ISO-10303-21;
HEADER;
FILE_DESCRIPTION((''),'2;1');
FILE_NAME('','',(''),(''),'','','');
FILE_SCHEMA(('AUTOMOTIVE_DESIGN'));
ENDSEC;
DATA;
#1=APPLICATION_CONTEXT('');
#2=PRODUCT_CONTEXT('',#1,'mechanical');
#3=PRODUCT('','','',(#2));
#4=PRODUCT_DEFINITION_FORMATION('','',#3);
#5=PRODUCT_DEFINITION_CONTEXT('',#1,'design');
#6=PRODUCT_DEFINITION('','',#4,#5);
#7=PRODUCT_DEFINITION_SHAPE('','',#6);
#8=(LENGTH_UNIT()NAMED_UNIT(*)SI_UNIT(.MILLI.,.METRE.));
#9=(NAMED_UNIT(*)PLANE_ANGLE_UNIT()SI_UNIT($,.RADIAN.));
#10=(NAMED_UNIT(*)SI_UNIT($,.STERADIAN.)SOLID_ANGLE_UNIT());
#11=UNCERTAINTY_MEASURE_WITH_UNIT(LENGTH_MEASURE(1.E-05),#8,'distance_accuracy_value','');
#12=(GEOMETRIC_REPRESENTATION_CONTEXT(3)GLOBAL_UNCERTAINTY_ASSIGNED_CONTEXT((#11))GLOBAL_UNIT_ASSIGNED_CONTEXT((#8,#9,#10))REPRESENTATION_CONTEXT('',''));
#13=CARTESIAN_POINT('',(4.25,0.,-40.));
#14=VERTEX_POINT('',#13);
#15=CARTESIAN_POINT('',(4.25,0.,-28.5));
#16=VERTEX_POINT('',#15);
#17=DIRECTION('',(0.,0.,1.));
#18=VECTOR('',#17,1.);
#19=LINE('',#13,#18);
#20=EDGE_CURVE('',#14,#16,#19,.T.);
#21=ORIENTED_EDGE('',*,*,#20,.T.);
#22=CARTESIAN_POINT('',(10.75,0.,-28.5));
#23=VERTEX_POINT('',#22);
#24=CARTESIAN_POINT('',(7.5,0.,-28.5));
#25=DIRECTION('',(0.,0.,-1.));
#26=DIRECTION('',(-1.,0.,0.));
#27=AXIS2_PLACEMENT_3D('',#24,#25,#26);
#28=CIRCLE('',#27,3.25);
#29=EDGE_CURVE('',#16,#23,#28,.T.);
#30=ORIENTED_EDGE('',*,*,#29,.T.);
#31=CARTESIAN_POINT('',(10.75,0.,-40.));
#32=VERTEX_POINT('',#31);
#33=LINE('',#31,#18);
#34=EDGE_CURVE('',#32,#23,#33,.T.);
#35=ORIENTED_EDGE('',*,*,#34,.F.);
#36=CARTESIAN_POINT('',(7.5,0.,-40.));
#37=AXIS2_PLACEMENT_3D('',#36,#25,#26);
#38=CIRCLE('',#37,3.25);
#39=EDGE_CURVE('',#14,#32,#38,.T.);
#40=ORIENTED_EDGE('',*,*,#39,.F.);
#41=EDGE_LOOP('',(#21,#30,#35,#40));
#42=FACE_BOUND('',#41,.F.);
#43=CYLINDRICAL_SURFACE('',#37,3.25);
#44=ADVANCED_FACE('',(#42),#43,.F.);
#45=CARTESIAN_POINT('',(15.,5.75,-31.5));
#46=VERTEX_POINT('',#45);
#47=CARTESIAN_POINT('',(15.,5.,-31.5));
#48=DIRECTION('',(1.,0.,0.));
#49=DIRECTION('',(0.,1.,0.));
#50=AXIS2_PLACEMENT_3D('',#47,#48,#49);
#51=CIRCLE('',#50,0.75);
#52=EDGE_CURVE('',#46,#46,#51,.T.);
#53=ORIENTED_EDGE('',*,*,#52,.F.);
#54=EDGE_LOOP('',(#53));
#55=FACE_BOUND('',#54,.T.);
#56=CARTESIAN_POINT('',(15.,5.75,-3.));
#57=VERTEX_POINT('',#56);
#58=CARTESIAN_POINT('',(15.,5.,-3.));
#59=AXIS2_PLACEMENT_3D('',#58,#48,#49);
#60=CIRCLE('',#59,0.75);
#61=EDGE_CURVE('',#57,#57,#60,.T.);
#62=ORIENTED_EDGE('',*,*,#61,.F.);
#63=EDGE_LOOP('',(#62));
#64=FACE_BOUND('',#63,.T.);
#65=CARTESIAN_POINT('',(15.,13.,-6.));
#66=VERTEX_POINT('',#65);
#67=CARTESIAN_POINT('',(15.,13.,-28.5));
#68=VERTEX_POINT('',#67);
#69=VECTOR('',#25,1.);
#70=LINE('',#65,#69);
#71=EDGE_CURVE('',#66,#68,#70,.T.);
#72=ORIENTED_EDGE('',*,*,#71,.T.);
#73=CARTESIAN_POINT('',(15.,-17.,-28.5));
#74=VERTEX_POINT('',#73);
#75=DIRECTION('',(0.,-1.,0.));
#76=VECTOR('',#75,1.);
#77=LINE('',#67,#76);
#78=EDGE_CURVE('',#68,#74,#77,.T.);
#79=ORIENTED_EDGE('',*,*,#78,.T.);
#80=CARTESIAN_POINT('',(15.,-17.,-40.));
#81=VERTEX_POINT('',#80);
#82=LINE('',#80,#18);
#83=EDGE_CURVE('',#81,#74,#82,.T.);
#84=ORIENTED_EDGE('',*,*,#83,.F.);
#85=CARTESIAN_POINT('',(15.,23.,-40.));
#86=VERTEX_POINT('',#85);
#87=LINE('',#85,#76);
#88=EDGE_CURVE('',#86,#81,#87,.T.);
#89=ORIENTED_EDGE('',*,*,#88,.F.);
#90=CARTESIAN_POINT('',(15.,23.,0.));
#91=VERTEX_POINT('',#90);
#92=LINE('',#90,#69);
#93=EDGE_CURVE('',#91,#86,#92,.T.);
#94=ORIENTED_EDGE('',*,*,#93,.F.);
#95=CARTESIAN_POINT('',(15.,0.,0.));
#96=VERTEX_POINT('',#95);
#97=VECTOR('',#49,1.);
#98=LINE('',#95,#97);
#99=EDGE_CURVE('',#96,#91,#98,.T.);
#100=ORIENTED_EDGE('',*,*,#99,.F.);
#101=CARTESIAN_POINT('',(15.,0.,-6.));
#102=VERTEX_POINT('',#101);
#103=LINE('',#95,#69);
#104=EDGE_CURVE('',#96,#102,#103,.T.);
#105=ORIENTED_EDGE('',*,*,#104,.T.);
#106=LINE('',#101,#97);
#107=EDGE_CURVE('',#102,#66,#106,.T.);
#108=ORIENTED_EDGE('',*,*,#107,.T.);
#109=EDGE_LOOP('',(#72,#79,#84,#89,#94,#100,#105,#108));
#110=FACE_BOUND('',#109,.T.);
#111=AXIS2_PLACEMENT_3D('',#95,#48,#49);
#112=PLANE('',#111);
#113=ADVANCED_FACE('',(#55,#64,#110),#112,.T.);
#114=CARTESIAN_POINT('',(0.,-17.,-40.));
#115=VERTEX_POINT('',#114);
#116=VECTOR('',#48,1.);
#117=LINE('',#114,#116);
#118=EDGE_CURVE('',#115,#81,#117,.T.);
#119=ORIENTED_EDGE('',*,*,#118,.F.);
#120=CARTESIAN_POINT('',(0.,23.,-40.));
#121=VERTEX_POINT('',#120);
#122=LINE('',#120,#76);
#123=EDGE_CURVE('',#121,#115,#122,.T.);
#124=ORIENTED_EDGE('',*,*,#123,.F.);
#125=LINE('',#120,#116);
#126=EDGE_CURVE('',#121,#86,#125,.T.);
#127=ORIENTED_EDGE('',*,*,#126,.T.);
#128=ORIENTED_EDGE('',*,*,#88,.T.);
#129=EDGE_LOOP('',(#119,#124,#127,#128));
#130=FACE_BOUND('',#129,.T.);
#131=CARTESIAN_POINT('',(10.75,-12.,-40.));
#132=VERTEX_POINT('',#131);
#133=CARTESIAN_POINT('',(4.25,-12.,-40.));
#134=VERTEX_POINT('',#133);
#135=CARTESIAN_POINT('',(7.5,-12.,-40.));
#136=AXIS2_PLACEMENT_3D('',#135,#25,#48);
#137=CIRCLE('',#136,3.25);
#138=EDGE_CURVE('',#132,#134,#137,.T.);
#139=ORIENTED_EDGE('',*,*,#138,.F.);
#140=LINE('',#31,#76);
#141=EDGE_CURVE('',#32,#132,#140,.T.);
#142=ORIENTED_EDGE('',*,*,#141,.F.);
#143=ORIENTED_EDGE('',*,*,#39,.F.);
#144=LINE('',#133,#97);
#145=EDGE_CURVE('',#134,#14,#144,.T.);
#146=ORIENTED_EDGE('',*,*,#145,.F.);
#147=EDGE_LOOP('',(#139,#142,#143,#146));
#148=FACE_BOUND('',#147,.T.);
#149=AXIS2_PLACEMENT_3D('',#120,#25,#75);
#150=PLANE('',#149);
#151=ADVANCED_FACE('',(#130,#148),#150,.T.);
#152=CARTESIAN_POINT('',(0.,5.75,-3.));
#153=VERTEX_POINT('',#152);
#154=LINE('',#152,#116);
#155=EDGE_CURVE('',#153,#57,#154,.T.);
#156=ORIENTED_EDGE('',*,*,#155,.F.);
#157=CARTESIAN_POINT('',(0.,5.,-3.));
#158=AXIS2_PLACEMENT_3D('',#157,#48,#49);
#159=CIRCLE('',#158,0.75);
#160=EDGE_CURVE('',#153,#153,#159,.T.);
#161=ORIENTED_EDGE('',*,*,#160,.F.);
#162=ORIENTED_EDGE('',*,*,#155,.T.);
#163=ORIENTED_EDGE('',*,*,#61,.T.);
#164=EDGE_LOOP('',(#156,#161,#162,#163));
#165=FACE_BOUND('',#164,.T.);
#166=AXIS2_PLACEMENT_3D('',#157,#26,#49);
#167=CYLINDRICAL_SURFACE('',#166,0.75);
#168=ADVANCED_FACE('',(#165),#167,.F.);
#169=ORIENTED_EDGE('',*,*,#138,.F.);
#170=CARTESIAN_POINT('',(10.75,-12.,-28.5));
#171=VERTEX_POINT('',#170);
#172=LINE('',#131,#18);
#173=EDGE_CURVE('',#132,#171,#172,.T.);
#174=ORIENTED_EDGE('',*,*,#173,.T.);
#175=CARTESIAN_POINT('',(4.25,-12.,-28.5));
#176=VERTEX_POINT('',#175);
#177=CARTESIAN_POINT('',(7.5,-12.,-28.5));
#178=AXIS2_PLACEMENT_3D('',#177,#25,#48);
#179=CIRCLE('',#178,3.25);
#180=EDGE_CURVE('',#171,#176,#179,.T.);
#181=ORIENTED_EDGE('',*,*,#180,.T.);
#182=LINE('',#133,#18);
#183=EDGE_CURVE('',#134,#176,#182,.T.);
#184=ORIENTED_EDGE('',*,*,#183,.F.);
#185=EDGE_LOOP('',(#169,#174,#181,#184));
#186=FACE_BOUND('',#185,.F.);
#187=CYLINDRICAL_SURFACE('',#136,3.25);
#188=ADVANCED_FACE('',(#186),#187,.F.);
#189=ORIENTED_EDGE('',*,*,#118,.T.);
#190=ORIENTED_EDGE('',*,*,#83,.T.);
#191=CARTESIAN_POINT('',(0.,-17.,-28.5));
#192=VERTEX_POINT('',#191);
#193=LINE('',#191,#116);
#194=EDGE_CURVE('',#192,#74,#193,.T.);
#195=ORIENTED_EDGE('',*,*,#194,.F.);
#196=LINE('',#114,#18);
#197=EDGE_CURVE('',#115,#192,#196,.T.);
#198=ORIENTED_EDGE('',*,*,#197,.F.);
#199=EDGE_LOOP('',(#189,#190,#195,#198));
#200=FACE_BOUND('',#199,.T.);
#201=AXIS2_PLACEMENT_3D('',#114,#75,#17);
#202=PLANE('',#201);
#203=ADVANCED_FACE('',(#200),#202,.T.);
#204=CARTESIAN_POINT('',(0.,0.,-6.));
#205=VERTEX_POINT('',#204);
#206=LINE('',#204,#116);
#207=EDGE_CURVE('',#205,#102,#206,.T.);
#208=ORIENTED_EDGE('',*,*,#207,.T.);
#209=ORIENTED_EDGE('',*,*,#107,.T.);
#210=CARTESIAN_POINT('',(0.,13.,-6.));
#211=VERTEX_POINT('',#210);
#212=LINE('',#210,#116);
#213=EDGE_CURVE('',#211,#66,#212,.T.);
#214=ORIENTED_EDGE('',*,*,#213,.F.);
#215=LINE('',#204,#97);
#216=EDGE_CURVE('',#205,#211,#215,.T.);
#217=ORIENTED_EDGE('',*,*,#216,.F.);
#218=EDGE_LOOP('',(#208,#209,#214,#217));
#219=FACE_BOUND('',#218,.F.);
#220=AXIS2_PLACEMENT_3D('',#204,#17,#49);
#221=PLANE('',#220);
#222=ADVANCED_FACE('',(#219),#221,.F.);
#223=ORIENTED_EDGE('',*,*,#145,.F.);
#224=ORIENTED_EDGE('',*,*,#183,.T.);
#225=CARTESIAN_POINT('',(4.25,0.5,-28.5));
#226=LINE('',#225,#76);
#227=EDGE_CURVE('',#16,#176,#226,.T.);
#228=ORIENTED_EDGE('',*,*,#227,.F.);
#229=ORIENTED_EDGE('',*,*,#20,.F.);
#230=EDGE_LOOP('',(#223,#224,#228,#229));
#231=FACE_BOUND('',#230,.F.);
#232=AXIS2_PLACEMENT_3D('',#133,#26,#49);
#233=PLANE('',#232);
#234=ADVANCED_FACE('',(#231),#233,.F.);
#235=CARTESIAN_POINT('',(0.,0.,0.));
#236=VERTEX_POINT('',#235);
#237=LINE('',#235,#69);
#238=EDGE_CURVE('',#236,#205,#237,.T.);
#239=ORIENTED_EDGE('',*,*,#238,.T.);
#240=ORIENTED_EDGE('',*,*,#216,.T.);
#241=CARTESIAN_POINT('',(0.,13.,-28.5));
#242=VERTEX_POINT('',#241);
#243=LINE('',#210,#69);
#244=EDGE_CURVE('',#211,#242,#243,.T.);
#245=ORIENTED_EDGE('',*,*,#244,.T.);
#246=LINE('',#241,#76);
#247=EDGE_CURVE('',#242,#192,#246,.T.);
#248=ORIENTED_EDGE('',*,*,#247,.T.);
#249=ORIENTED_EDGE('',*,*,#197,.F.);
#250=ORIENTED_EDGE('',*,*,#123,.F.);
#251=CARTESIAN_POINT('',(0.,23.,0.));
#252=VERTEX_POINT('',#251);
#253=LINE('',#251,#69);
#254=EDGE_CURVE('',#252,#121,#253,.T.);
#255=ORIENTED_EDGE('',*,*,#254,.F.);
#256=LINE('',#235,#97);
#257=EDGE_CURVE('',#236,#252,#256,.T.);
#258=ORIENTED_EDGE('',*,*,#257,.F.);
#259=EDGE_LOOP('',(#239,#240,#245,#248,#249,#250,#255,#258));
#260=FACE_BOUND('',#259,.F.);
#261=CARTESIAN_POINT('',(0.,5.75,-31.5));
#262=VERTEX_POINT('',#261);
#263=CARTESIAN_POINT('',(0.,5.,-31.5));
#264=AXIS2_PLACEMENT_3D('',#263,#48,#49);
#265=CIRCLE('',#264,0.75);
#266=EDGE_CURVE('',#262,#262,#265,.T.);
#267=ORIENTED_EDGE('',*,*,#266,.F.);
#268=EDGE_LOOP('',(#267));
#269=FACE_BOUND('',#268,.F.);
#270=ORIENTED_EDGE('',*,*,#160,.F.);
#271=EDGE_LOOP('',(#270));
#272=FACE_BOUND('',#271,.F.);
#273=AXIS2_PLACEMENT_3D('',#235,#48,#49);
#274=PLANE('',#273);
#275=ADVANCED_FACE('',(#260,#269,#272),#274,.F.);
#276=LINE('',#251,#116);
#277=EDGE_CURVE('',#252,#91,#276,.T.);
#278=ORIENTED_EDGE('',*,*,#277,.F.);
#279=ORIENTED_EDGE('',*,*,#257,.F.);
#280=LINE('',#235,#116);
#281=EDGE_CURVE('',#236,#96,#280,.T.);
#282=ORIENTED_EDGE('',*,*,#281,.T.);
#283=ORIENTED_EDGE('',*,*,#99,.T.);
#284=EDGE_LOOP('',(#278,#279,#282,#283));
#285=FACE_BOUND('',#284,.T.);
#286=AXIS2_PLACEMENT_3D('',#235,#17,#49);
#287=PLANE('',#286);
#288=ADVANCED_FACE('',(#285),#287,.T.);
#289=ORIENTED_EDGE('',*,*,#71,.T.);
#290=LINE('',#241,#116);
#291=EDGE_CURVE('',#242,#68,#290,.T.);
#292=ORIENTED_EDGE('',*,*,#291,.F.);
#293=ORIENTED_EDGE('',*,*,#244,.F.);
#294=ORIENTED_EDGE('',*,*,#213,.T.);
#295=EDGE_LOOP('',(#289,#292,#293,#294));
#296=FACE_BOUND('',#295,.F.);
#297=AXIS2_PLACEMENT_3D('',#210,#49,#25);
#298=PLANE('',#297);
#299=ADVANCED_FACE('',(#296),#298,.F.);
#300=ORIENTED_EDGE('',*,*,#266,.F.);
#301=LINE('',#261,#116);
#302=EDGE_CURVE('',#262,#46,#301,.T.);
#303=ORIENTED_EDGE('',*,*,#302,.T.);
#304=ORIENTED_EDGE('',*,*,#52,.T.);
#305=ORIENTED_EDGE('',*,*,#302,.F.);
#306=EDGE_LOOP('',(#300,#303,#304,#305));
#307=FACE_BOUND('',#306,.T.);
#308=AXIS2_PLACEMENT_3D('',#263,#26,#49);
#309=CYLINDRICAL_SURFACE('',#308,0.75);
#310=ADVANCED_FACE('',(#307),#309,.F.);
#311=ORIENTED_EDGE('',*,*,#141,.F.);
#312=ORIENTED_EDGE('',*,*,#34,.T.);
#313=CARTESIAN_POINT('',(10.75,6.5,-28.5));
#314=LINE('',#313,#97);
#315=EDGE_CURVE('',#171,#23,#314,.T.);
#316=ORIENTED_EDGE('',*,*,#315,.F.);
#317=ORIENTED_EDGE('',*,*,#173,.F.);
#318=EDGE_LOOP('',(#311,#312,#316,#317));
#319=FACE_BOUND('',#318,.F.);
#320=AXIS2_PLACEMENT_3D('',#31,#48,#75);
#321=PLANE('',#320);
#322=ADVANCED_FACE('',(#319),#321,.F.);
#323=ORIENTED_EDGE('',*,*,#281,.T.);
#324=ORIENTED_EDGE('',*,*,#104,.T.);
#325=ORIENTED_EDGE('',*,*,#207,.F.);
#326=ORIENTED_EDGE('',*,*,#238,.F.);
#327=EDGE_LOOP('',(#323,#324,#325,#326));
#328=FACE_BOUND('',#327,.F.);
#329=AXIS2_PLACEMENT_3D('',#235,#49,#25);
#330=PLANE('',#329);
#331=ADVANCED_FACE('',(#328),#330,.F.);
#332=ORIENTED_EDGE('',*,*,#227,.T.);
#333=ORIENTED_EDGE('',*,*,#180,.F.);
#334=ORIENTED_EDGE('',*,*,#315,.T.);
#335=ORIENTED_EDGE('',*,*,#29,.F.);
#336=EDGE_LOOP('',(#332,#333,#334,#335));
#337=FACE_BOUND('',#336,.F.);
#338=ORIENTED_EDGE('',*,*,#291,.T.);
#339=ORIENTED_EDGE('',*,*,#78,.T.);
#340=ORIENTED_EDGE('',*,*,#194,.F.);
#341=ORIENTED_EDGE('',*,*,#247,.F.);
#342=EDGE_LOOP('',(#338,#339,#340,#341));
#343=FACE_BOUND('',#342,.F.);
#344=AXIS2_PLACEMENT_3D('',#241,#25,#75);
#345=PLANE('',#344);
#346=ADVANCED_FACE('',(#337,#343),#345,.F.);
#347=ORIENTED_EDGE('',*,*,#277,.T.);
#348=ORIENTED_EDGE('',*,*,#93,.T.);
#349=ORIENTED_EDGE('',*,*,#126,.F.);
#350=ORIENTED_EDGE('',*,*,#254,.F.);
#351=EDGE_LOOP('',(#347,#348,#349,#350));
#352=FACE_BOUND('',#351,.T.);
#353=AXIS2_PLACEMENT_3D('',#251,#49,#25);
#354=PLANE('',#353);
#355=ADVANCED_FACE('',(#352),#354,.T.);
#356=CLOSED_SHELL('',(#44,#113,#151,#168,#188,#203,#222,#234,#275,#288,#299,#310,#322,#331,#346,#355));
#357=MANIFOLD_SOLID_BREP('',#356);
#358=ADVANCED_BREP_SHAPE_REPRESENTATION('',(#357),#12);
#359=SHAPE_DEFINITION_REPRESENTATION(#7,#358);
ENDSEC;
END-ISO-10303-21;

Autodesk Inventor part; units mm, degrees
ref_plane "YZ Plane" through (0, 0, 0) normal (1, 0, 0) x (0, 1, 0)
ref_plane "XZ Plane" through (0, 0, 0) normal (0, 1, 0) x (-1, 0, 0)
ref_plane "XY Plane" through (0, 0, 0) normal (0, 0, 1) x (1, 0, 0)
sketch "Sketch1" plane through (0, 0, 0) normal (1, 0, 0) x (0, 1, 0)
  line L0 (0, 0) -> (23, 0)
  line L1 (23, 0) -> (23, -40)
  line L2 (0, 0) -> (0, -6)
  line L3 (0, -6) -> (13, -6)
  line L4 (13, -6) -> (13, -28.5)
  line L5 (13, -28.5) -> (-17, -28.5)
  line L6 (23, -40) -> (-17, -40)
  line L7 (-17, -40) -> (-17, -28.5)
  circle A0 centre (5, -3) radius 0.75
  circle A1 centre (5, -31.5) radius 0.75
  point P0 (0, -3)
  dimension "d0" = 40
  dimension "d1" = 13
  dimension "d2" = 6
  dimension "d3" = 22.5
  dimension "d4" = 1.5
  dimension "d5" = 5
  dimension "d7" = 10
  dimension "d9" = 30
  dimension "d10" = 1.5
  dimension "d11" = 3
extrude "Extrusion1" add sketch "Sketch1" along normal blind 15
sketch "Sketch3" plane through (0, -17, -40) normal (0, 0, -1) x (-1, 0, 0)
  line L0 (-7.5, 17) -> (-7.5, 5) construction
  line L1 (-10.75, 17) -> (-10.75, 5)
  line L2 (-4.25, 5) -> (-4.25, 17)
  arc A0 (-4.25, 17) -> (-10.75, 17) centre (-7.5, 17) ccw
  arc A1 (-10.75, 5) -> (-4.25, 5) centre (-7.5, 5) ccw
  line L3 (0, 17) -> (-15, 17) construction
  point P0 (-7.5, 11)
  point P1 (-7.5, 17)
  dimension "d14" = 6.5
  dimension "d15" = 12
extrude "Extrusion2" cut sketch "Sketch3" against normal up to next
properties part number "servo mount"
